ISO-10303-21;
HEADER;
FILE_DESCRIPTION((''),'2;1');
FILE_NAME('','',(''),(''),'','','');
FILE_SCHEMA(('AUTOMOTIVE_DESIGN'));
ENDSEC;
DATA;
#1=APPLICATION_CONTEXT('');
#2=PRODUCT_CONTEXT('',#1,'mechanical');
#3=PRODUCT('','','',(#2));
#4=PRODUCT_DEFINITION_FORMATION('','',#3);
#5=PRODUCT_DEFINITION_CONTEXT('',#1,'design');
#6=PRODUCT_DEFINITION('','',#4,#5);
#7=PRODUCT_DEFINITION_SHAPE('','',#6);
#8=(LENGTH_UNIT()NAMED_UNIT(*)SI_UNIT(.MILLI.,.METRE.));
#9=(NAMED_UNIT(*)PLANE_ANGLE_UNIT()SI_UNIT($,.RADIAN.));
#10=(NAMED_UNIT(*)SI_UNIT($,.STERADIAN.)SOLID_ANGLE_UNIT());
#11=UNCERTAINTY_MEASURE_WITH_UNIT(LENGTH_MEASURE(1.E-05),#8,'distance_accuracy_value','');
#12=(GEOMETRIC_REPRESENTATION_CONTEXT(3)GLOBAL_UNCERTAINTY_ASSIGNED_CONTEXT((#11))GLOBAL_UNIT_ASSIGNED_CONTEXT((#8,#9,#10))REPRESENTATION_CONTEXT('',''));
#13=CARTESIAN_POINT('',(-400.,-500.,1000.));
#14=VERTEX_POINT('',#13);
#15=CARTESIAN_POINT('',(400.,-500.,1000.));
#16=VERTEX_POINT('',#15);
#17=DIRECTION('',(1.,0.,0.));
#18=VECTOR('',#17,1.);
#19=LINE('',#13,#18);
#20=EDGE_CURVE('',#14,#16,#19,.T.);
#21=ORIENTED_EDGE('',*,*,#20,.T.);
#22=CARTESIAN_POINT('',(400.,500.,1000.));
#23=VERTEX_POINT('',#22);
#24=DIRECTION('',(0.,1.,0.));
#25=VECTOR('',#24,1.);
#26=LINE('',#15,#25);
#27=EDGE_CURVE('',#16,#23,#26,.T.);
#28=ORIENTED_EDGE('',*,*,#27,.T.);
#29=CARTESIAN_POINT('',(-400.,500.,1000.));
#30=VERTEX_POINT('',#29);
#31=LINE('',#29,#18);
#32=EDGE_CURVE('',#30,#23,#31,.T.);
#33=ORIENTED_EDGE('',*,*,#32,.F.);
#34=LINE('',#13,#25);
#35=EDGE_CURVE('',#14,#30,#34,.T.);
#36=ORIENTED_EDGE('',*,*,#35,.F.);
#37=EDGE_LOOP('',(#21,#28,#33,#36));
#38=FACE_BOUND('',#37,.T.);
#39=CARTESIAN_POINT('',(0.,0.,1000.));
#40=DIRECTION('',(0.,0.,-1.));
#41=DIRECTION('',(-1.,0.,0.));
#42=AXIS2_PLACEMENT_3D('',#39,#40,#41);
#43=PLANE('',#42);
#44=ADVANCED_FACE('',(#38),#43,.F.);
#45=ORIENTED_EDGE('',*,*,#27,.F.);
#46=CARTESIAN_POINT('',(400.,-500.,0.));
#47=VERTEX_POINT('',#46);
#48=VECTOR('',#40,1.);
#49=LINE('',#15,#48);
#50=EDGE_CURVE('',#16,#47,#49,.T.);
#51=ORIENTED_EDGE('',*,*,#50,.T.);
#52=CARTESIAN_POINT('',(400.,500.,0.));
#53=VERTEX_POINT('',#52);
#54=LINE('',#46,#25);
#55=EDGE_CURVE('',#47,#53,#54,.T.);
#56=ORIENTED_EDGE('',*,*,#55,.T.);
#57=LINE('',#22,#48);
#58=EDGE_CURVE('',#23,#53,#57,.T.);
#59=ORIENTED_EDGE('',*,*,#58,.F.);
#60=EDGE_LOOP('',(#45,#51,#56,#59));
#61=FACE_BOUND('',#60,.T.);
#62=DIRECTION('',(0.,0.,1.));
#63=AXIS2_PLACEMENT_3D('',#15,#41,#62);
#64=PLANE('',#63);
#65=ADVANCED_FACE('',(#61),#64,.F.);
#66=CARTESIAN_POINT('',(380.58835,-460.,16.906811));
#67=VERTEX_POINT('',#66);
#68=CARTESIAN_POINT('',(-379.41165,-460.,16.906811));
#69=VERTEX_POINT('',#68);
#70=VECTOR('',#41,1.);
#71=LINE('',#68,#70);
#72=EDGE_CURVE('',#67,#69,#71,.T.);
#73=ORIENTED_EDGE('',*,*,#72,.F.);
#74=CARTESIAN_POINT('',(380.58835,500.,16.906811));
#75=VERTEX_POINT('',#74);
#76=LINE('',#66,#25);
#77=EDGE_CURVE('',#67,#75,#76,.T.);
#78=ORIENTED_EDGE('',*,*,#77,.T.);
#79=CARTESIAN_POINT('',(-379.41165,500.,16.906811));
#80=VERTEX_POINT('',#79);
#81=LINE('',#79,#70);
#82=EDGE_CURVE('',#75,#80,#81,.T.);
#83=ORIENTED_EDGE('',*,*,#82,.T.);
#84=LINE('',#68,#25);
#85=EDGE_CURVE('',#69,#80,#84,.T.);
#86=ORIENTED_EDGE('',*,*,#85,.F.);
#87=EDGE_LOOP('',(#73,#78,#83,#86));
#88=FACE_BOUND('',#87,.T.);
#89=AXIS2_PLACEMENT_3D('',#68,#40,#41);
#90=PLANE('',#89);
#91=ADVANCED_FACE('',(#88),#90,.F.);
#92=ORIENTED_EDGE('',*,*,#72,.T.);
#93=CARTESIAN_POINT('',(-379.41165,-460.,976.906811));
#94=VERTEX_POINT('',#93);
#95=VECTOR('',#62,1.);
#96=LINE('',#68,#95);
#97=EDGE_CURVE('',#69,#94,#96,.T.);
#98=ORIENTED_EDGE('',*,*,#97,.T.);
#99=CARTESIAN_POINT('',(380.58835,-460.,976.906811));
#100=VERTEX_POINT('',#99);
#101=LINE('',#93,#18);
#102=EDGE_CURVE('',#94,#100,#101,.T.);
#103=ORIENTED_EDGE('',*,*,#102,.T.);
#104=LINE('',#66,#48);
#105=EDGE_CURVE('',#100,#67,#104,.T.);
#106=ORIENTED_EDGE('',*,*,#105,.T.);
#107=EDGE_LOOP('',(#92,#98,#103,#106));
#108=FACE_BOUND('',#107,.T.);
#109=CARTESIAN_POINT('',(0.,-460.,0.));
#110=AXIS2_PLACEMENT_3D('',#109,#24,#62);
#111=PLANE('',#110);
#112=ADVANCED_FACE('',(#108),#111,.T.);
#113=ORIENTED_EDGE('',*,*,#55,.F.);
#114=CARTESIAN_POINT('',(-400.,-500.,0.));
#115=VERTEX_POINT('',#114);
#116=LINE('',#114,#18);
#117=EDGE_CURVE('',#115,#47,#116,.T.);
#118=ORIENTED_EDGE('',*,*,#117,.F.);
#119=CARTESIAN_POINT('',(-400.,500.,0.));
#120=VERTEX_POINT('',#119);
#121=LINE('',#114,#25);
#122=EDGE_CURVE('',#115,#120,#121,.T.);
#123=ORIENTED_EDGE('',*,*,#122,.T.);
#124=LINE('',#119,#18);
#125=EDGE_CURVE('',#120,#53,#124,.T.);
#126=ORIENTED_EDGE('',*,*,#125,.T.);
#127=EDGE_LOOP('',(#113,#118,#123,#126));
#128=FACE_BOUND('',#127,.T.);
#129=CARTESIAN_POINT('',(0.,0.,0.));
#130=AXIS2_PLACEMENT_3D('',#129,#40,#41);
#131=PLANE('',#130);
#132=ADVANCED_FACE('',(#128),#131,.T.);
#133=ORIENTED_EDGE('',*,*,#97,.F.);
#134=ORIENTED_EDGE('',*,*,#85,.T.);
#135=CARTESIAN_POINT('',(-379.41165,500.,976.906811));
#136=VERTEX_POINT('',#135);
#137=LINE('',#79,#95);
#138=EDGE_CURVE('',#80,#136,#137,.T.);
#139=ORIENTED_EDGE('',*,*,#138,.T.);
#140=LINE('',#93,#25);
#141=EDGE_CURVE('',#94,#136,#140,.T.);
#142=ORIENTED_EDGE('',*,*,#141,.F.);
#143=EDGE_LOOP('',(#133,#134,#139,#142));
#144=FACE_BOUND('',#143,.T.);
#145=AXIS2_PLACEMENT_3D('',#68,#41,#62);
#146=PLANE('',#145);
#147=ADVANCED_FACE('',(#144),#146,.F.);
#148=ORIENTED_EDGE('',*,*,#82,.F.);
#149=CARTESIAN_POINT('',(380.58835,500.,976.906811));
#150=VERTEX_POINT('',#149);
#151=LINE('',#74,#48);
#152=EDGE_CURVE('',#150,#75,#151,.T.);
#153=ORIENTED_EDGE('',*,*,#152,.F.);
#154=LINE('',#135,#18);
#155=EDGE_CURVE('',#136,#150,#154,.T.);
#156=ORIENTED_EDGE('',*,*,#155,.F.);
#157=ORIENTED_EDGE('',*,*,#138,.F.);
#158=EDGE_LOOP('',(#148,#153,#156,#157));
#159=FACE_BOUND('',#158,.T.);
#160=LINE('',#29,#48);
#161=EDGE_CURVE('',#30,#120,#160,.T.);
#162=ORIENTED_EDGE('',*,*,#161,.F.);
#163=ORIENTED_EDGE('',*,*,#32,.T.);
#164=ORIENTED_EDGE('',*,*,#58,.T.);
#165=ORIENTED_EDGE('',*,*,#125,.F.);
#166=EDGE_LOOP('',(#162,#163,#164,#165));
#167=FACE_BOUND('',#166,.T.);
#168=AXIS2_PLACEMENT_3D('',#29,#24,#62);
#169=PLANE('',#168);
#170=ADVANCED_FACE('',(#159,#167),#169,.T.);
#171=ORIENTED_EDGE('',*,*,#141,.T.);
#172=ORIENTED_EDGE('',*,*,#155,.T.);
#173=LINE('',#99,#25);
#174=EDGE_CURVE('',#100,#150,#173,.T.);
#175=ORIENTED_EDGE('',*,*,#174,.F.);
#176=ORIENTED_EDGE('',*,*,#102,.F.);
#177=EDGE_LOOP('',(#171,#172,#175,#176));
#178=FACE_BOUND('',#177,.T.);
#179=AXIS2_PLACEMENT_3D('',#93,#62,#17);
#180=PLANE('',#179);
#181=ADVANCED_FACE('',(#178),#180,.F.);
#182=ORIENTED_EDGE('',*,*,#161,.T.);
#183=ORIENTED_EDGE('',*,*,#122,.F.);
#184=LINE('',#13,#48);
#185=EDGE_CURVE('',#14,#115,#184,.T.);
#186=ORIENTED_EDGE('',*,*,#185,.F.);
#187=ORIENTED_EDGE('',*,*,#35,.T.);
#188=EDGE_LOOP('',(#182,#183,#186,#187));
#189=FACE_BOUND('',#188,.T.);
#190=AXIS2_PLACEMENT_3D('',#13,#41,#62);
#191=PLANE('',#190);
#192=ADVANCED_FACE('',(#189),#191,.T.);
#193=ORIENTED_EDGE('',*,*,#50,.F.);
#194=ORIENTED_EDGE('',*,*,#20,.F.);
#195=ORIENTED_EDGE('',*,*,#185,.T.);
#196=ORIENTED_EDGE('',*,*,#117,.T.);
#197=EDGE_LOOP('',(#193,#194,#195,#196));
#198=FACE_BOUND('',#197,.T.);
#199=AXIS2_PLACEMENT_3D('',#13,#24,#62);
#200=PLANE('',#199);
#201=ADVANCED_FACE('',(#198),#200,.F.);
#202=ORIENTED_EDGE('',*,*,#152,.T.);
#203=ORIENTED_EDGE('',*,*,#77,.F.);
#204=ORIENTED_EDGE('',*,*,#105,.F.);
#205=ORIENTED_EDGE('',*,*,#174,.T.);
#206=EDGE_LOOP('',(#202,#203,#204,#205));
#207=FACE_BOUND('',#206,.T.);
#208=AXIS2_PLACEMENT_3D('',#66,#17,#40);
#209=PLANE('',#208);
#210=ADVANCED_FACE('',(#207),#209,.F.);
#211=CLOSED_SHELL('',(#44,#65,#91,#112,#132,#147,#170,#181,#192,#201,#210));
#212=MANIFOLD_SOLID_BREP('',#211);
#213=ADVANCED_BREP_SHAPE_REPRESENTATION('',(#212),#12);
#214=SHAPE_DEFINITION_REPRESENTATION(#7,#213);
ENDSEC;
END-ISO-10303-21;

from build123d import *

# Parameters (mm, degrees)
SKETCH1_W           = 800
SKETCH1_H           = 1000
BOSS_EXTRUDE1_DEPTH = 1000
SKETCH5_W           = 760
SKETCH5_H           = 960
CUT_EXTRUDE1_DEPTH  = 960


with BuildPart() as part:
    # Sketch1 → Boss-Extrude1 (new body)
    with BuildSketch(Plane.XY):
        Rectangle(SKETCH1_W, SKETCH1_H)
    extrude(amount=BOSS_EXTRUDE1_DEPTH)

    # Sketch5 → Cut-Extrude1 (cut)
    with BuildSketch(Plane(origin=(0, 500, 0), x_dir=(1, 0, 0), z_dir=(0, 1, 0))):
        with Locations((0.588350419, -496.906811406)):
            Rectangle(SKETCH5_W, SKETCH5_H)
    extrude(amount=-CUT_EXTRUDE1_DEPTH, mode=Mode.SUBTRACT)


solid = part.part
